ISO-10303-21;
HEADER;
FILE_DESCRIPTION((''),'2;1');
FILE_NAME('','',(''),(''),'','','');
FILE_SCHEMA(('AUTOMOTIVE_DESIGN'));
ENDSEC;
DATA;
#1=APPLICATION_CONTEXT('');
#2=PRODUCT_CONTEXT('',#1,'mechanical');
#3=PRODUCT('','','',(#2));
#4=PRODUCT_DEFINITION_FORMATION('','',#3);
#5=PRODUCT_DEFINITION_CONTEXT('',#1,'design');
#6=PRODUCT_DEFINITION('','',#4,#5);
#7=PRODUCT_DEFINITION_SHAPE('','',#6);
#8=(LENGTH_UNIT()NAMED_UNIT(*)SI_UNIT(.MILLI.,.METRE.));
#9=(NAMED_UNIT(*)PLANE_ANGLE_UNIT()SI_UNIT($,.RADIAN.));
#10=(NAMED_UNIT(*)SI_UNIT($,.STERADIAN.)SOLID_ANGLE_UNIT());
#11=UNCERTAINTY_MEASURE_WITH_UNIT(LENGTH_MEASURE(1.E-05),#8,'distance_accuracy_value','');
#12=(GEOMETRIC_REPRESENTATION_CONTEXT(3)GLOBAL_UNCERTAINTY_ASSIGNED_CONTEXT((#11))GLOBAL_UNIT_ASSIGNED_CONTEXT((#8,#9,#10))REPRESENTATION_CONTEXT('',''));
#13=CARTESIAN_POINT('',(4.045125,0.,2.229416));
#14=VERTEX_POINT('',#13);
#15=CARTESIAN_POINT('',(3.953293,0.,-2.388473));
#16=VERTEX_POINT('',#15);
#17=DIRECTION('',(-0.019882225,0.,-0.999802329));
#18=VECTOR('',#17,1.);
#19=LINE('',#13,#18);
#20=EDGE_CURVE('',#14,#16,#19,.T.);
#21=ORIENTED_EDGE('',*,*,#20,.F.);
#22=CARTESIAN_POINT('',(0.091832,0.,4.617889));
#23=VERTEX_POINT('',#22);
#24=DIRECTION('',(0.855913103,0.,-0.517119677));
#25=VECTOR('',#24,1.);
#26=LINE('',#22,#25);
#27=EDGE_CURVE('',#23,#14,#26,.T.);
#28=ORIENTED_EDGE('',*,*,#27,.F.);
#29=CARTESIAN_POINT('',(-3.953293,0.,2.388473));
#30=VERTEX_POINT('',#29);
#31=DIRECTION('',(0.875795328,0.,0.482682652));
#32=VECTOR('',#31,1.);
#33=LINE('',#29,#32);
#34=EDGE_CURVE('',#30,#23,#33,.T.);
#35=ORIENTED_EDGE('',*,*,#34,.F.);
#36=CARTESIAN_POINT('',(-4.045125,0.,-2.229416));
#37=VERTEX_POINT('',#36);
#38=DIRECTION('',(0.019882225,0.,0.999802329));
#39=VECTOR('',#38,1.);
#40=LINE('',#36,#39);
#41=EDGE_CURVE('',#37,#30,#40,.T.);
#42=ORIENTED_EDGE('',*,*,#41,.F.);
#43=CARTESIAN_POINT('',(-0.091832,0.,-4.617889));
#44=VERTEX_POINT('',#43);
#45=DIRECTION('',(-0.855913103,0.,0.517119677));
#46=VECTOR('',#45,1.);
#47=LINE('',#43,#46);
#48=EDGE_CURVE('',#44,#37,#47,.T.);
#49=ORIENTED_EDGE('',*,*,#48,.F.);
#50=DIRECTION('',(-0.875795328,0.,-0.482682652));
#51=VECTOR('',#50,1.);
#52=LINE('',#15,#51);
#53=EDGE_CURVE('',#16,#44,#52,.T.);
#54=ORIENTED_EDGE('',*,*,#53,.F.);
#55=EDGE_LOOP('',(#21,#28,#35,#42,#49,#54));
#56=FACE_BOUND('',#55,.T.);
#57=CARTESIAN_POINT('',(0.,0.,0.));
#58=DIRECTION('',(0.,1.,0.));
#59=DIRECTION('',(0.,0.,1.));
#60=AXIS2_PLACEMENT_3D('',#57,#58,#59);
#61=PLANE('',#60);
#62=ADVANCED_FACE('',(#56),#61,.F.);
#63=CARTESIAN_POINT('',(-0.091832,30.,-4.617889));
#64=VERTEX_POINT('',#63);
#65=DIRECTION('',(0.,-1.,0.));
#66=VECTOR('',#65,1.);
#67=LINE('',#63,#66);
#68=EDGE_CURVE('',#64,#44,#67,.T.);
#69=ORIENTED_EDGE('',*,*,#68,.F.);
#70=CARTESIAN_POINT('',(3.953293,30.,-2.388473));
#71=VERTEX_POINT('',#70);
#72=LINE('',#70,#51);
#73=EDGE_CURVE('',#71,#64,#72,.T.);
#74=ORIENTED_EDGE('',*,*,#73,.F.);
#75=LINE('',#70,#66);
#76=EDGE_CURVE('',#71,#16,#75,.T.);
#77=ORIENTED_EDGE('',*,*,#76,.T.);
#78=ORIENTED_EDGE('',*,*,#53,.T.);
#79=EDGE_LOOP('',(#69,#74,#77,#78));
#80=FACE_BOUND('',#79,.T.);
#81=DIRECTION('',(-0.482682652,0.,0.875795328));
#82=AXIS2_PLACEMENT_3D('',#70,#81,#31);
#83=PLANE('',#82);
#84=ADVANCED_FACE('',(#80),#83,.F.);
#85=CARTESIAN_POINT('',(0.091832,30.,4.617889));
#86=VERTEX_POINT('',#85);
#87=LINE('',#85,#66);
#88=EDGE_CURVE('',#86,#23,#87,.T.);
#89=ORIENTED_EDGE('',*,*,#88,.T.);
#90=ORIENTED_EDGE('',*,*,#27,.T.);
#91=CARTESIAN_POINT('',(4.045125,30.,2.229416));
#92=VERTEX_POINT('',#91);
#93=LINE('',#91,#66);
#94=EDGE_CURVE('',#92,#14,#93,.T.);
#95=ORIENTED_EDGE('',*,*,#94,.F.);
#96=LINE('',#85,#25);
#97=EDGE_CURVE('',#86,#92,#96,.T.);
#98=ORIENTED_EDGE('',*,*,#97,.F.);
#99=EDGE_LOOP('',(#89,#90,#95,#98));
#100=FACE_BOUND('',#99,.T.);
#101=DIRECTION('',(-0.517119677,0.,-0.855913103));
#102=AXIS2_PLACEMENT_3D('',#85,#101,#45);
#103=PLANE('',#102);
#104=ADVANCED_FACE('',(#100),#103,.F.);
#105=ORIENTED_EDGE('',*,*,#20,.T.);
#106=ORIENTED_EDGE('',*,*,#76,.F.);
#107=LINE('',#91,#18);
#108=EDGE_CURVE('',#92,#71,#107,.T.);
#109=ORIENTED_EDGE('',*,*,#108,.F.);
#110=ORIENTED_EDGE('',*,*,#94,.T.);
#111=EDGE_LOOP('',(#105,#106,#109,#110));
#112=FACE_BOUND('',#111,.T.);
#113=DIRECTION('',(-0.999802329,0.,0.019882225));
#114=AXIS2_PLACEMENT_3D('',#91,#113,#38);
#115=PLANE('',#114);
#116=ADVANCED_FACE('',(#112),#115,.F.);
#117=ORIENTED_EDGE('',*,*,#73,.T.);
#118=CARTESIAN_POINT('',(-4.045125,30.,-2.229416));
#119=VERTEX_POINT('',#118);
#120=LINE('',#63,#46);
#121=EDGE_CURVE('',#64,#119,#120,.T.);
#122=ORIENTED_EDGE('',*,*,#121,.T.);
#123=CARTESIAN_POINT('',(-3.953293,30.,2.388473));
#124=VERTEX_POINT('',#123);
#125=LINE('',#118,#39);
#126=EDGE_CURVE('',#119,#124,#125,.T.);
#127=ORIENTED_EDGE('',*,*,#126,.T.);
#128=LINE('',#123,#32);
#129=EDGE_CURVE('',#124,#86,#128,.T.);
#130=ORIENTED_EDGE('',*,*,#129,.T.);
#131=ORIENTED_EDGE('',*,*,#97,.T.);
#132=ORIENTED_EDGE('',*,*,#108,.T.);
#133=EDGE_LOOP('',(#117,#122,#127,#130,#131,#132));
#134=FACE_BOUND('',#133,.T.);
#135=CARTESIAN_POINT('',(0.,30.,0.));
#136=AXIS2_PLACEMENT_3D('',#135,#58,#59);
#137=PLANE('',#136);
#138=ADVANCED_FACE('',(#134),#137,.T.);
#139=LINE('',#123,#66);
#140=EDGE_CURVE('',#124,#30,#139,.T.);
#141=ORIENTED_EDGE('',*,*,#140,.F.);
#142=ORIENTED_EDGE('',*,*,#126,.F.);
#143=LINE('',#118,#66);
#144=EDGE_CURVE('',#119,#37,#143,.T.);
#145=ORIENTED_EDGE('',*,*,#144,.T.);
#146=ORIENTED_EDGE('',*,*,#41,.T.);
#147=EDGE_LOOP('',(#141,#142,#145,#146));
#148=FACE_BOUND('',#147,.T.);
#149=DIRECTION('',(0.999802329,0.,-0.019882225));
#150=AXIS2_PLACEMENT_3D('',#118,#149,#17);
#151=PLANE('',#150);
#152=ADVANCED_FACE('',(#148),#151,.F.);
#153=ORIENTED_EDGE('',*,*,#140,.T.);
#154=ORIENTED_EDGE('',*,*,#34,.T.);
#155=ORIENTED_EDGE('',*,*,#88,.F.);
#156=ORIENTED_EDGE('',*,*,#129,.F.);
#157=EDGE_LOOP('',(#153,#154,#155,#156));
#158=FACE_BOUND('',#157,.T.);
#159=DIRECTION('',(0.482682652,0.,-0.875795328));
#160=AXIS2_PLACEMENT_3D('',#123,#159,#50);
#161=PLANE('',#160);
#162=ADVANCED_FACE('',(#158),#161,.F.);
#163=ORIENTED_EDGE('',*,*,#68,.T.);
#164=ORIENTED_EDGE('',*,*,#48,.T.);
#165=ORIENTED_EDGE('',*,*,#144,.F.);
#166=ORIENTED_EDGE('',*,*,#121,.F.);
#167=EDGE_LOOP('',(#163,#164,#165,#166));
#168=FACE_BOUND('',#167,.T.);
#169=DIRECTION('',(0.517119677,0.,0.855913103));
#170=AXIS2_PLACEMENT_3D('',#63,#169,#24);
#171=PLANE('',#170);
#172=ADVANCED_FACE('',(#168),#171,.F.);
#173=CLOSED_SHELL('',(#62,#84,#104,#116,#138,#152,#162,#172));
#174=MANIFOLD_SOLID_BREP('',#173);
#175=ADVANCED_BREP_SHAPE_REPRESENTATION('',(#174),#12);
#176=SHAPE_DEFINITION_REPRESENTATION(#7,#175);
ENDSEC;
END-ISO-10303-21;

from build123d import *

# Parameters (mm, degrees)
EXTRUDE_1_DEPTH = 30


with BuildPart() as part:
    # 草图1 → 凸台-拉伸1 (new body)
    with BuildSketch(Plane(origin=(0, 0, 0), x_dir=(1, 0, 0), z_dir=(0, 1, 0))):
        Polygon((4.045125348, -2.229415675), (3.953293284, 2.388473476), (-0.091832064, 4.61788915), (-4.045125348, 2.229415675), (-3.953293284, -2.388473476), (0.091832064, -4.61788915), align=None)
    extrude(amount=EXTRUDE_1_DEPTH)


solid = part.part
